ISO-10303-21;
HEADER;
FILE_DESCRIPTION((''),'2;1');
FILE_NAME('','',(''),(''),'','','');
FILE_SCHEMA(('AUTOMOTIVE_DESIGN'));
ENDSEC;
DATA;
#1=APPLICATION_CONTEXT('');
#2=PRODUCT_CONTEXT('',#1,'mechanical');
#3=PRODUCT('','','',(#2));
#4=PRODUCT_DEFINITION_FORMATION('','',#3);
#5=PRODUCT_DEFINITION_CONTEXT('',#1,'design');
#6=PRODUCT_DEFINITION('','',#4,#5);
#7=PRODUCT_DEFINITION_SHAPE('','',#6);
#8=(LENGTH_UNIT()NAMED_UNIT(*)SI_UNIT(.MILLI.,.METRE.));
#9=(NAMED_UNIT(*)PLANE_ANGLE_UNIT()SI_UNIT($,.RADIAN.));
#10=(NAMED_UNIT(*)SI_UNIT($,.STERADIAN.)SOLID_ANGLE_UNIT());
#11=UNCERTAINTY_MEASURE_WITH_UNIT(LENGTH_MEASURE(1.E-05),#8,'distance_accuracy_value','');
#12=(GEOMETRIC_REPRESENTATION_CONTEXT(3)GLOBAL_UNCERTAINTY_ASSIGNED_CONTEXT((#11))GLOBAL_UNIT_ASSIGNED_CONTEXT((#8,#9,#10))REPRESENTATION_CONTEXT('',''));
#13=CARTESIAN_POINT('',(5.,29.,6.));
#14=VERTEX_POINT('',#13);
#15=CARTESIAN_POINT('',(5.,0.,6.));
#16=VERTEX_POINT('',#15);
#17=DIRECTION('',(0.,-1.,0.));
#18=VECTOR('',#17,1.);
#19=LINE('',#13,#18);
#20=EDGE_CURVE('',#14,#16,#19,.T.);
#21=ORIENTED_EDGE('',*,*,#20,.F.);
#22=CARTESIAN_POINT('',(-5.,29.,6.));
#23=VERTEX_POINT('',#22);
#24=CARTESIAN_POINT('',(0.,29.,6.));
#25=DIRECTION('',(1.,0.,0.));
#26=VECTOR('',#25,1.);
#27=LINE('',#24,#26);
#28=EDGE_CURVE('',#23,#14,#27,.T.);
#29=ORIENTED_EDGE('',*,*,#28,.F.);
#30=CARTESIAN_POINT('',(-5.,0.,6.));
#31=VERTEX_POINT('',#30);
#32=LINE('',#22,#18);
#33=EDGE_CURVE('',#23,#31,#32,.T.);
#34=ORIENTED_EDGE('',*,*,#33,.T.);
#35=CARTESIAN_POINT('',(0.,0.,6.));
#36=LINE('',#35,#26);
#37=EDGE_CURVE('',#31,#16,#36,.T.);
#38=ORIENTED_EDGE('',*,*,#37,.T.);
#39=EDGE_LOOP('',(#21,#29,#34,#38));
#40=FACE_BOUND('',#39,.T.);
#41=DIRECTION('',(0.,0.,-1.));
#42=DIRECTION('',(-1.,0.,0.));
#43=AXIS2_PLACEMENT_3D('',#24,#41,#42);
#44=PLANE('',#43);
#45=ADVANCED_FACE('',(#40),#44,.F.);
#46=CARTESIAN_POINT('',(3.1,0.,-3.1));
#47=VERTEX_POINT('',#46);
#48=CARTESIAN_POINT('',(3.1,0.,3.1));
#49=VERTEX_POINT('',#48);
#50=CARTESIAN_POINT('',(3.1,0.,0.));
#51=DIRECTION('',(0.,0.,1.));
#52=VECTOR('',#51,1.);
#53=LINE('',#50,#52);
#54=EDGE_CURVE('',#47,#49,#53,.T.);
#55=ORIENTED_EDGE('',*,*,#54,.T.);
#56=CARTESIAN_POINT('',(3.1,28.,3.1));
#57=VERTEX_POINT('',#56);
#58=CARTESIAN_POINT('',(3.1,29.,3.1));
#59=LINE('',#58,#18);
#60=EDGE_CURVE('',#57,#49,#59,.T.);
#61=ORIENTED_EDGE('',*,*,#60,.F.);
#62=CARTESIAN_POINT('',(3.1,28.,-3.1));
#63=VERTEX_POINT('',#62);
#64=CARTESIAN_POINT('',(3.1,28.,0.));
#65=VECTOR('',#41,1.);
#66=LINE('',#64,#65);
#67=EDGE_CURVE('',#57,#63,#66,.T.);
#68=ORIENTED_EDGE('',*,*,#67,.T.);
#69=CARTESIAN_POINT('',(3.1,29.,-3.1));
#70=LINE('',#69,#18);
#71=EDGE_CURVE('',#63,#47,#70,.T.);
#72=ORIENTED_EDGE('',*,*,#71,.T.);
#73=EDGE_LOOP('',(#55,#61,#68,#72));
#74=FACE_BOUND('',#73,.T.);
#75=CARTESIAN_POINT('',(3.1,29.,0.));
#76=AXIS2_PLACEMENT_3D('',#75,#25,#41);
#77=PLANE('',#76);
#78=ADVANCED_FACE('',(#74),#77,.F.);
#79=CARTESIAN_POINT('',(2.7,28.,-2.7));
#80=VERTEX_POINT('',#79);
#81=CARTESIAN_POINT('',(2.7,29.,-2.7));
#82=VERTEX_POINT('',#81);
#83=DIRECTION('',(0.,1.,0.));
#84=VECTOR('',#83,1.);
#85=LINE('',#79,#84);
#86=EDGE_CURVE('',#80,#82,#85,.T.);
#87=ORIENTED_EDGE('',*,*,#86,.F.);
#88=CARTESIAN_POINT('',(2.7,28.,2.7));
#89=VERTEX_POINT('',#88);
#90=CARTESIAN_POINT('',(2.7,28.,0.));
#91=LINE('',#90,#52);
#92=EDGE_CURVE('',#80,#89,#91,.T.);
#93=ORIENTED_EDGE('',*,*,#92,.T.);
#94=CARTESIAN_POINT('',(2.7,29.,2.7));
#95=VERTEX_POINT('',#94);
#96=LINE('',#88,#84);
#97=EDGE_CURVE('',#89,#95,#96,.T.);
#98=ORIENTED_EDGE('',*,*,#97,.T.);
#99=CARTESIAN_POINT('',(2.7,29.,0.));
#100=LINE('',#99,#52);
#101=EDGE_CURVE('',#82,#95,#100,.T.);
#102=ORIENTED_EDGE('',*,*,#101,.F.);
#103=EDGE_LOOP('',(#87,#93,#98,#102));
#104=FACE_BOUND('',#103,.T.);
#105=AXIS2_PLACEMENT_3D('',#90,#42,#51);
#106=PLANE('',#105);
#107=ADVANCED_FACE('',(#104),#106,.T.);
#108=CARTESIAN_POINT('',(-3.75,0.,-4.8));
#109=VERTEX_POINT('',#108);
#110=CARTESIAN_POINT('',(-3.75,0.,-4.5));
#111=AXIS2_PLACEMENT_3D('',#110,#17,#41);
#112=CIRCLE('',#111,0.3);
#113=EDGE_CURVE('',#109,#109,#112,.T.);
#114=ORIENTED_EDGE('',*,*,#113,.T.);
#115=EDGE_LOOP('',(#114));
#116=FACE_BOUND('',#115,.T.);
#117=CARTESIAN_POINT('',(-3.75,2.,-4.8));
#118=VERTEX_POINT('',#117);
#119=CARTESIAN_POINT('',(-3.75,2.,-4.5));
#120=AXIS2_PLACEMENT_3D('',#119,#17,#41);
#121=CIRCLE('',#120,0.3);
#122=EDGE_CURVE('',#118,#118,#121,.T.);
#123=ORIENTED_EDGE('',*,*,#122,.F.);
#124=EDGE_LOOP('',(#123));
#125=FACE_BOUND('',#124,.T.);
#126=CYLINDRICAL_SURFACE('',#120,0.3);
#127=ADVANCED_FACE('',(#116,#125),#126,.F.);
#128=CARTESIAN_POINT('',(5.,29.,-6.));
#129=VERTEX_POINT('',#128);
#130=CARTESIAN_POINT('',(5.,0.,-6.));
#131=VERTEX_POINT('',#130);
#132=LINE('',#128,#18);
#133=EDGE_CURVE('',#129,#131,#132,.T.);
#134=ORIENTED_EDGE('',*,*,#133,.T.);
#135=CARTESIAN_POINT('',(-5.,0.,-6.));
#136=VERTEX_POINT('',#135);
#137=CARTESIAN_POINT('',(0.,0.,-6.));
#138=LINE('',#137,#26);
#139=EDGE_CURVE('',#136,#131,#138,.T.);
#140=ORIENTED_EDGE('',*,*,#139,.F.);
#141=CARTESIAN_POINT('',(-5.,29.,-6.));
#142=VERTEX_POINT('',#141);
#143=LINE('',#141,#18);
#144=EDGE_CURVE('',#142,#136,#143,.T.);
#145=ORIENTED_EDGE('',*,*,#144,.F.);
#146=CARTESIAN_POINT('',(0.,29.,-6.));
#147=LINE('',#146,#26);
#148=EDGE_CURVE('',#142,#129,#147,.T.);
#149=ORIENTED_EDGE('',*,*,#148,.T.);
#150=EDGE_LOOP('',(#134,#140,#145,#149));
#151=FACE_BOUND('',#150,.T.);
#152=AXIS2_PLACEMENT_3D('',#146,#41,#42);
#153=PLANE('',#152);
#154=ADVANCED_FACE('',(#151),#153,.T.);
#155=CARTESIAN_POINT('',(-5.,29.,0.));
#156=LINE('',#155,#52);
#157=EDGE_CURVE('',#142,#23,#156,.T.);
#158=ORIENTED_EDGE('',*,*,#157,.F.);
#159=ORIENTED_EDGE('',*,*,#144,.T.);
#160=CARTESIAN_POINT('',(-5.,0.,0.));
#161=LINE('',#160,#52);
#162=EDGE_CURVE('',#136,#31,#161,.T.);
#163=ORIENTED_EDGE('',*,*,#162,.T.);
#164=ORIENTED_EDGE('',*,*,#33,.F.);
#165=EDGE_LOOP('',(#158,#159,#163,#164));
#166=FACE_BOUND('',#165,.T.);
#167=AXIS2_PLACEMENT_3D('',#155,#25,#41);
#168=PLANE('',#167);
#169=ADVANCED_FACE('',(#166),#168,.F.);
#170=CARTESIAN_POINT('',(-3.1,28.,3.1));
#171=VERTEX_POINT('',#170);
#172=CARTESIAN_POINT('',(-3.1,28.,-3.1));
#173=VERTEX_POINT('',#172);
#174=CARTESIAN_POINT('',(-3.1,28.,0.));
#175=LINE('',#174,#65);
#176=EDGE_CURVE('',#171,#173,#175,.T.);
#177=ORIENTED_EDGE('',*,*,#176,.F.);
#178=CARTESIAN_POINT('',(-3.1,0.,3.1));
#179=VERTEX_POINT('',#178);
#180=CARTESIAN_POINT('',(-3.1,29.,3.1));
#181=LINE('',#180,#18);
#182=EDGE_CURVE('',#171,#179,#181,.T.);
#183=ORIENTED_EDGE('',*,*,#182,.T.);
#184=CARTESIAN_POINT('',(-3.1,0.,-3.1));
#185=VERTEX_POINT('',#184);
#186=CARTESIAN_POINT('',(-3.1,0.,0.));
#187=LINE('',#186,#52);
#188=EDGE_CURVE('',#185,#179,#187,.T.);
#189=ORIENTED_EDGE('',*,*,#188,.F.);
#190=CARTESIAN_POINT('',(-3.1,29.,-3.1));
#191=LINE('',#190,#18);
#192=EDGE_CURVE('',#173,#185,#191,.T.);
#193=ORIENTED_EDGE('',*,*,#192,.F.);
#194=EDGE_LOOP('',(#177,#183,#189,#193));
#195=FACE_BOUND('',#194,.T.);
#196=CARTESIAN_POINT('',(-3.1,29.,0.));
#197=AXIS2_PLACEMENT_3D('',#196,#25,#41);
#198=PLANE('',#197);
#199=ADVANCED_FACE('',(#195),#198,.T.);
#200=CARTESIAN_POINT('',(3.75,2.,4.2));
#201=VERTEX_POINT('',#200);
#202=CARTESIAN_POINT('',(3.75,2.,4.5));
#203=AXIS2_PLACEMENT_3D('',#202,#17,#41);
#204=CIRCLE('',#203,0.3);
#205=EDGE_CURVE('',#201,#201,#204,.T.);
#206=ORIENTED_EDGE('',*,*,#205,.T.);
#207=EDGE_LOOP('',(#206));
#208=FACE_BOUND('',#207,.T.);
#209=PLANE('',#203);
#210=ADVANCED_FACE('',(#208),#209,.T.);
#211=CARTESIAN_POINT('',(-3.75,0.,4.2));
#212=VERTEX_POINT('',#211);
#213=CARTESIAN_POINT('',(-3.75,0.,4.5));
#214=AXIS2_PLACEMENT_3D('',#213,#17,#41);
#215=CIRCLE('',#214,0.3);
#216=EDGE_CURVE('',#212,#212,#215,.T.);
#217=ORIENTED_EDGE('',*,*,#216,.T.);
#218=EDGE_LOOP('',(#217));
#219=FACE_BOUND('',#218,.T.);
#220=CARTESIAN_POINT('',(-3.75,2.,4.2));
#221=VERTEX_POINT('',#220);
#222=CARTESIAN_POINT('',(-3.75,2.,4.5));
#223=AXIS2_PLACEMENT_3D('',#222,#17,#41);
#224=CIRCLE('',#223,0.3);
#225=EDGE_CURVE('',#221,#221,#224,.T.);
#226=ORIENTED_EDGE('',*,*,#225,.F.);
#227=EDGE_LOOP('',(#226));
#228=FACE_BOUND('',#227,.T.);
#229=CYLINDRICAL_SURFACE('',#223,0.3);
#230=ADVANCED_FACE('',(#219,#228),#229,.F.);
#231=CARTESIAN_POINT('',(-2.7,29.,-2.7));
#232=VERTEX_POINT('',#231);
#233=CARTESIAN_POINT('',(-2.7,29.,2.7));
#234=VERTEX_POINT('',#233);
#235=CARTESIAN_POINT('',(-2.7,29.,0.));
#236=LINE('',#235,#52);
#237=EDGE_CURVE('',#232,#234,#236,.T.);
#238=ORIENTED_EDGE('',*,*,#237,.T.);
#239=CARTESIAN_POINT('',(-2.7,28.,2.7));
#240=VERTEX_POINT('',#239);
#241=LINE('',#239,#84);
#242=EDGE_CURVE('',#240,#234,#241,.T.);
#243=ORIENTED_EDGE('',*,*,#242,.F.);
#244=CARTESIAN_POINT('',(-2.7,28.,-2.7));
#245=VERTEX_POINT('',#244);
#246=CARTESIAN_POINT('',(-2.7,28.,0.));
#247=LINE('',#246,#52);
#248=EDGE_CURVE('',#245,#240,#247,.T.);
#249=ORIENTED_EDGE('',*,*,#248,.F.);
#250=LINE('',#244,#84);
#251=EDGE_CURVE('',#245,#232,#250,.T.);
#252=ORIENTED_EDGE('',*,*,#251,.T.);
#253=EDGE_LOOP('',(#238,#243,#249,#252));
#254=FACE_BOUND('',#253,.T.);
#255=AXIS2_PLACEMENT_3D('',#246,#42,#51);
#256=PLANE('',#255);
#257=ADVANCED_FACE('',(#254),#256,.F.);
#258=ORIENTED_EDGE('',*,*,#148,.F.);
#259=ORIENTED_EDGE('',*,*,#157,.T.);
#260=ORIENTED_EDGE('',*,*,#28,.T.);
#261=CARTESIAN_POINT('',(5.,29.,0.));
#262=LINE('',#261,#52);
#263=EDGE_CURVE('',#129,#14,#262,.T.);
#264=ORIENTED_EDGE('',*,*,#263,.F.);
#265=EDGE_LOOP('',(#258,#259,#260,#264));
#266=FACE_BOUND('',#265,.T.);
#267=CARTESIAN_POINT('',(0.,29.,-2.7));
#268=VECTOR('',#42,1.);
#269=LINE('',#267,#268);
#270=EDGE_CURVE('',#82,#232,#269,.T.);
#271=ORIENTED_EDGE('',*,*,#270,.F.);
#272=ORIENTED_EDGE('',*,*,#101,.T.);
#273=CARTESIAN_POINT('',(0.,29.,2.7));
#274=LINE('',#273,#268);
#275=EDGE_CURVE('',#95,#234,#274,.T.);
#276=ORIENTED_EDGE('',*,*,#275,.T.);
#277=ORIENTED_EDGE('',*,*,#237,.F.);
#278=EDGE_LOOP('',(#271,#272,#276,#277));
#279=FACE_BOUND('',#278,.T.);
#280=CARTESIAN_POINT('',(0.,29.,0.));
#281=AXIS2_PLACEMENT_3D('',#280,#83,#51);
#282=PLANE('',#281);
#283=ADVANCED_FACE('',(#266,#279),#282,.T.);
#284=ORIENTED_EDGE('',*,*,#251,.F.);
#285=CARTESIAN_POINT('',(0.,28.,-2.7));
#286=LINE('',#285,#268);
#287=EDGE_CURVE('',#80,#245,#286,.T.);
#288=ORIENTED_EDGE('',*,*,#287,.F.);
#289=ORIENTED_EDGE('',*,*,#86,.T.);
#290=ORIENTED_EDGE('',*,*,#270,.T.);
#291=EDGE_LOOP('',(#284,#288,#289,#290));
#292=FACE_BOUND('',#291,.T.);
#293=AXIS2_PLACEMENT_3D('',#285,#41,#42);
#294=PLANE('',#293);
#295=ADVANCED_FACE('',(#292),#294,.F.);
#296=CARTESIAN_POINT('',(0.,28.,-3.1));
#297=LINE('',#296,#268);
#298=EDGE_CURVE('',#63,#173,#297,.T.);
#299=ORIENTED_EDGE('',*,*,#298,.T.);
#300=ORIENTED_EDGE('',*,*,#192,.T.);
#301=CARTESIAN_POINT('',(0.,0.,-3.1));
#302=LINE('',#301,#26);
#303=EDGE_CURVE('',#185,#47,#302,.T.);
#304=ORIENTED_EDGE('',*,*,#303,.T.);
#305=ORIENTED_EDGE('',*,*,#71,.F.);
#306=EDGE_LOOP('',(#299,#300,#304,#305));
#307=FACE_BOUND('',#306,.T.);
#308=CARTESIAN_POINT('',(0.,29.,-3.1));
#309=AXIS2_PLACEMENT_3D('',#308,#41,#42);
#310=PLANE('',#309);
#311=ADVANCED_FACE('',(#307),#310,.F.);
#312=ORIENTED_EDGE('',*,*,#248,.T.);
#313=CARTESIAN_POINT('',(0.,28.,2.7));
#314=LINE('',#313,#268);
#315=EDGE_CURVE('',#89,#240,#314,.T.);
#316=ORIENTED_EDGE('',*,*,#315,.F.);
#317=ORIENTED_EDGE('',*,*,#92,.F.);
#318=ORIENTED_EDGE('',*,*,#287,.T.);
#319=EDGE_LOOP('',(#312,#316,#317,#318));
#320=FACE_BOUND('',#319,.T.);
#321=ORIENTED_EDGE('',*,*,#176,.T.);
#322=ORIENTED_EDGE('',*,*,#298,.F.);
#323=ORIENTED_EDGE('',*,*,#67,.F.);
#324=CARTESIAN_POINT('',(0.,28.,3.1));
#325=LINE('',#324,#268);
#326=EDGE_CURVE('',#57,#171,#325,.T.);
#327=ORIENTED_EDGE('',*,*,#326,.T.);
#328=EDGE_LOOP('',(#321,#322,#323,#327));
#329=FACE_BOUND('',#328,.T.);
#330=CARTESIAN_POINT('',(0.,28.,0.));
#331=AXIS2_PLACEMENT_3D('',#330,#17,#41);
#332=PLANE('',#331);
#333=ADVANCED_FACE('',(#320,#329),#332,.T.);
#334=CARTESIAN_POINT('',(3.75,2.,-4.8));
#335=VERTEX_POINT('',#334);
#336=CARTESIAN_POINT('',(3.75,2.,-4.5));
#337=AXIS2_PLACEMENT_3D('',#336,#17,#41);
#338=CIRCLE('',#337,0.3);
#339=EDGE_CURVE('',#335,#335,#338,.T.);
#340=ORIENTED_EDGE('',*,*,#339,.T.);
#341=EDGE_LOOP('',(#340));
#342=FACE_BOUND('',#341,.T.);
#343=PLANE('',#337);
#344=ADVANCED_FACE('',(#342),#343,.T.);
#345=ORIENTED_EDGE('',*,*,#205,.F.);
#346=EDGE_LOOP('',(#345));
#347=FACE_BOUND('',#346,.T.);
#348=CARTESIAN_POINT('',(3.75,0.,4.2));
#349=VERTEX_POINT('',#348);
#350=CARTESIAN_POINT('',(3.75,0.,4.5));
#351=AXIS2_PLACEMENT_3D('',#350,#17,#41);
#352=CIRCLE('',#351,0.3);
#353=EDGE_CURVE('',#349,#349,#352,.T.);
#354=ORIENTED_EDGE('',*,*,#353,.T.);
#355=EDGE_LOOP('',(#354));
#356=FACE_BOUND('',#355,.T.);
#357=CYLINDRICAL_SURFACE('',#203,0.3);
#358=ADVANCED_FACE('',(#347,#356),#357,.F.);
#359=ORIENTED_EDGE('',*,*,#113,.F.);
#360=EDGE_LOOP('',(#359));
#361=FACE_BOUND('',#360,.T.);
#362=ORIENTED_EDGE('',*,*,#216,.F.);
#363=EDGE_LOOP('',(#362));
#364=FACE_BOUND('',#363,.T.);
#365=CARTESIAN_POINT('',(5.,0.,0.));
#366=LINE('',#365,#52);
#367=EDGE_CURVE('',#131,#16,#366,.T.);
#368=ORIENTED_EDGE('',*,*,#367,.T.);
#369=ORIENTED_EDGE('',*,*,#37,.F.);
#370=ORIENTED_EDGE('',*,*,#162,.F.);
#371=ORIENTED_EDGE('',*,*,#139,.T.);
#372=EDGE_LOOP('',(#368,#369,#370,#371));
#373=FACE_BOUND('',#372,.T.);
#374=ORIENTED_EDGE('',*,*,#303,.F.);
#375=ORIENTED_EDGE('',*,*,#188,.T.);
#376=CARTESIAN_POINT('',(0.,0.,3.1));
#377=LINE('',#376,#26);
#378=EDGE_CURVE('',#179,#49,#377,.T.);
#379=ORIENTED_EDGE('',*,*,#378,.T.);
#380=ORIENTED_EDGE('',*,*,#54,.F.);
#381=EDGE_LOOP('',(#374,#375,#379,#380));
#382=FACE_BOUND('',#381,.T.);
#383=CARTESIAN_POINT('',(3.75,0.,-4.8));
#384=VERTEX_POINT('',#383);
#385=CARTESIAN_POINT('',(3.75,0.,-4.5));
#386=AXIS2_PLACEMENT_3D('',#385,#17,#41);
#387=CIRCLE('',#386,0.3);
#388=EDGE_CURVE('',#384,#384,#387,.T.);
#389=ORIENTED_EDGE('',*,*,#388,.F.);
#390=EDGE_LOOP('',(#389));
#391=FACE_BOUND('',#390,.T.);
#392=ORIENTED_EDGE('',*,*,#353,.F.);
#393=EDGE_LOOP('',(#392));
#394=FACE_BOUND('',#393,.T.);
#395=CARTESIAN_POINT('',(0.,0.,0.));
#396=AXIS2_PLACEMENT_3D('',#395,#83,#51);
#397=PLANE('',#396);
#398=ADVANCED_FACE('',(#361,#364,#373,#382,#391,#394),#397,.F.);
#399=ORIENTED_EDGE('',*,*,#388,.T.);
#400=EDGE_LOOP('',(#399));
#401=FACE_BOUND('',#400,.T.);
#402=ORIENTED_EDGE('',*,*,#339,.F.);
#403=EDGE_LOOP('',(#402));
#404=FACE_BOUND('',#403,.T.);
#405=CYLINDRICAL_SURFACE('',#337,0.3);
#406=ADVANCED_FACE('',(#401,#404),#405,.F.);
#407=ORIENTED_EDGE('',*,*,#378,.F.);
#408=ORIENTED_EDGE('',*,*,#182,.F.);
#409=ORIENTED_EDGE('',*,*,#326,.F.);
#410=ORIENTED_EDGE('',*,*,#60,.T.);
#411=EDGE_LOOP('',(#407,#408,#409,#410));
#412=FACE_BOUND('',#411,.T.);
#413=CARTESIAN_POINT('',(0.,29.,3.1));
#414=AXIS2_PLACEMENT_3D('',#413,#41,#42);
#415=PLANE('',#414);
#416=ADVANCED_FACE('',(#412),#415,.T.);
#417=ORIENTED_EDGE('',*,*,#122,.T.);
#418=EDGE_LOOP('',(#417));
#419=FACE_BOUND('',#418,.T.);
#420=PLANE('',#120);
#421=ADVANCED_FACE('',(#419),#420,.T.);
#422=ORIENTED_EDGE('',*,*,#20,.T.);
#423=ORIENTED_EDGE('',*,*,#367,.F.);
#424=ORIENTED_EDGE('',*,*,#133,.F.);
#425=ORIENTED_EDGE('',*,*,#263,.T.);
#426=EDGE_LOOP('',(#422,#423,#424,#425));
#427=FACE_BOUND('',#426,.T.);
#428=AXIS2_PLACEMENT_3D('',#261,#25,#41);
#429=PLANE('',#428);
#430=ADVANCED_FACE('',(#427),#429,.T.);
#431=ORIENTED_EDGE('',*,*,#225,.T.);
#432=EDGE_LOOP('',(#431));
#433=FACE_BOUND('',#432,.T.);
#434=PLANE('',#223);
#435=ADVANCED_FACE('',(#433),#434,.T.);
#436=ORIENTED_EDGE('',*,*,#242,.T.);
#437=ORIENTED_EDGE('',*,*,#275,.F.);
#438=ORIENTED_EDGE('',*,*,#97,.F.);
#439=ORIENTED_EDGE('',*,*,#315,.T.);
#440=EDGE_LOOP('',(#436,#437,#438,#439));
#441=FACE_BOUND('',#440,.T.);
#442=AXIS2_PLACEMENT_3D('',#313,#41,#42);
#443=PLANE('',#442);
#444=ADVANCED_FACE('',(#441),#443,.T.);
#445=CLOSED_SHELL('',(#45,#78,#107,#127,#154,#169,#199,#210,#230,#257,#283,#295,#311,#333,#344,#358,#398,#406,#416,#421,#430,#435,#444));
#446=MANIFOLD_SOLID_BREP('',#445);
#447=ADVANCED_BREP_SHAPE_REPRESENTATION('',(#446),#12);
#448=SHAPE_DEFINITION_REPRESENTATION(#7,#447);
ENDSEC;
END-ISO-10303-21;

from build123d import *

# Parameters (mm, degrees)
SKETCH_1_W          = 10
SKETCH_1_H          = 12
SKETCH_1_W_2        = 6.2
SKETCH_1_H_2        = 6.2
EXTRUDE_1_DEPTH     = 29
EXTRUDE_START       = 29
SKETCH_1_3_W        = 10
SKETCH_1_3_H        = 12
SKETCH_1_3_W_2      = 6.2
SKETCH_1_3_H_2      = 6.2
SKETCH_1_3_W_3      = 5.4
SKETCH_1_3_H_3      = 5.4
EXTRUDE_2_DEPTH     = 1
SKETCH_2_R          = 0.3
CUT_EXTRUDE_1_DEPTH = 2


with BuildPart() as part:
    # 草图1 → 凸台-拉伸1 (new body)
    with BuildSketch(Plane(origin=(0, 0, 0), x_dir=(1, 0, 0), z_dir=(0, 1, 0))):
        Rectangle(SKETCH_1_W, SKETCH_1_H)
        Rectangle(SKETCH_1_W_2, SKETCH_1_H_2, mode=Mode.SUBTRACT)
    extrude(amount=EXTRUDE_1_DEPTH)

    # 草图1<3> → 凸台-拉伸2 (add)
    # profile 1 of 2: a face of its own
    with BuildSketch(Plane(origin=(0, 0, 0), x_dir=(1, 0, 0), z_dir=(0, 1, 0)).offset(EXTRUDE_START)):
        Rectangle(SKETCH_1_3_W, SKETCH_1_3_H)
        Rectangle(SKETCH_1_3_W_2, SKETCH_1_3_H_2, mode=Mode.SUBTRACT)
    # profile 2 of 2: a face of its own
    with BuildSketch(Plane(origin=(0, 0, 0), x_dir=(1, 0, 0), z_dir=(0, 1, 0)).offset(EXTRUDE_START)):
        Rectangle(SKETCH_1_3_W_2, SKETCH_1_3_H_2)
        Rectangle(SKETCH_1_3_W_3, SKETCH_1_3_H_3, mode=Mode.SUBTRACT)
    extrude(amount=-EXTRUDE_2_DEPTH)

    # 草图2 → 切除-拉伸1 (cut)
    with BuildSketch(Plane.XZ):
        with Locations(Location((-3.75, 4.5, 0), (0, 0, 270))):
            Circle(SKETCH_2_R)
        with Locations(Location((3.75, -4.5, 0), (0, 0, 270))):
            Circle(SKETCH_2_R)
        with Locations(Location((3.75, 4.5, 0), (0, 0, 270))):
            Circle(SKETCH_2_R)
        with Locations(Location((-3.75, -4.5, 0), (0, 0, 270))):
            Circle(SKETCH_2_R)
    extrude(amount=-CUT_EXTRUDE_1_DEPTH, mode=Mode.SUBTRACT)


solid = part.part
